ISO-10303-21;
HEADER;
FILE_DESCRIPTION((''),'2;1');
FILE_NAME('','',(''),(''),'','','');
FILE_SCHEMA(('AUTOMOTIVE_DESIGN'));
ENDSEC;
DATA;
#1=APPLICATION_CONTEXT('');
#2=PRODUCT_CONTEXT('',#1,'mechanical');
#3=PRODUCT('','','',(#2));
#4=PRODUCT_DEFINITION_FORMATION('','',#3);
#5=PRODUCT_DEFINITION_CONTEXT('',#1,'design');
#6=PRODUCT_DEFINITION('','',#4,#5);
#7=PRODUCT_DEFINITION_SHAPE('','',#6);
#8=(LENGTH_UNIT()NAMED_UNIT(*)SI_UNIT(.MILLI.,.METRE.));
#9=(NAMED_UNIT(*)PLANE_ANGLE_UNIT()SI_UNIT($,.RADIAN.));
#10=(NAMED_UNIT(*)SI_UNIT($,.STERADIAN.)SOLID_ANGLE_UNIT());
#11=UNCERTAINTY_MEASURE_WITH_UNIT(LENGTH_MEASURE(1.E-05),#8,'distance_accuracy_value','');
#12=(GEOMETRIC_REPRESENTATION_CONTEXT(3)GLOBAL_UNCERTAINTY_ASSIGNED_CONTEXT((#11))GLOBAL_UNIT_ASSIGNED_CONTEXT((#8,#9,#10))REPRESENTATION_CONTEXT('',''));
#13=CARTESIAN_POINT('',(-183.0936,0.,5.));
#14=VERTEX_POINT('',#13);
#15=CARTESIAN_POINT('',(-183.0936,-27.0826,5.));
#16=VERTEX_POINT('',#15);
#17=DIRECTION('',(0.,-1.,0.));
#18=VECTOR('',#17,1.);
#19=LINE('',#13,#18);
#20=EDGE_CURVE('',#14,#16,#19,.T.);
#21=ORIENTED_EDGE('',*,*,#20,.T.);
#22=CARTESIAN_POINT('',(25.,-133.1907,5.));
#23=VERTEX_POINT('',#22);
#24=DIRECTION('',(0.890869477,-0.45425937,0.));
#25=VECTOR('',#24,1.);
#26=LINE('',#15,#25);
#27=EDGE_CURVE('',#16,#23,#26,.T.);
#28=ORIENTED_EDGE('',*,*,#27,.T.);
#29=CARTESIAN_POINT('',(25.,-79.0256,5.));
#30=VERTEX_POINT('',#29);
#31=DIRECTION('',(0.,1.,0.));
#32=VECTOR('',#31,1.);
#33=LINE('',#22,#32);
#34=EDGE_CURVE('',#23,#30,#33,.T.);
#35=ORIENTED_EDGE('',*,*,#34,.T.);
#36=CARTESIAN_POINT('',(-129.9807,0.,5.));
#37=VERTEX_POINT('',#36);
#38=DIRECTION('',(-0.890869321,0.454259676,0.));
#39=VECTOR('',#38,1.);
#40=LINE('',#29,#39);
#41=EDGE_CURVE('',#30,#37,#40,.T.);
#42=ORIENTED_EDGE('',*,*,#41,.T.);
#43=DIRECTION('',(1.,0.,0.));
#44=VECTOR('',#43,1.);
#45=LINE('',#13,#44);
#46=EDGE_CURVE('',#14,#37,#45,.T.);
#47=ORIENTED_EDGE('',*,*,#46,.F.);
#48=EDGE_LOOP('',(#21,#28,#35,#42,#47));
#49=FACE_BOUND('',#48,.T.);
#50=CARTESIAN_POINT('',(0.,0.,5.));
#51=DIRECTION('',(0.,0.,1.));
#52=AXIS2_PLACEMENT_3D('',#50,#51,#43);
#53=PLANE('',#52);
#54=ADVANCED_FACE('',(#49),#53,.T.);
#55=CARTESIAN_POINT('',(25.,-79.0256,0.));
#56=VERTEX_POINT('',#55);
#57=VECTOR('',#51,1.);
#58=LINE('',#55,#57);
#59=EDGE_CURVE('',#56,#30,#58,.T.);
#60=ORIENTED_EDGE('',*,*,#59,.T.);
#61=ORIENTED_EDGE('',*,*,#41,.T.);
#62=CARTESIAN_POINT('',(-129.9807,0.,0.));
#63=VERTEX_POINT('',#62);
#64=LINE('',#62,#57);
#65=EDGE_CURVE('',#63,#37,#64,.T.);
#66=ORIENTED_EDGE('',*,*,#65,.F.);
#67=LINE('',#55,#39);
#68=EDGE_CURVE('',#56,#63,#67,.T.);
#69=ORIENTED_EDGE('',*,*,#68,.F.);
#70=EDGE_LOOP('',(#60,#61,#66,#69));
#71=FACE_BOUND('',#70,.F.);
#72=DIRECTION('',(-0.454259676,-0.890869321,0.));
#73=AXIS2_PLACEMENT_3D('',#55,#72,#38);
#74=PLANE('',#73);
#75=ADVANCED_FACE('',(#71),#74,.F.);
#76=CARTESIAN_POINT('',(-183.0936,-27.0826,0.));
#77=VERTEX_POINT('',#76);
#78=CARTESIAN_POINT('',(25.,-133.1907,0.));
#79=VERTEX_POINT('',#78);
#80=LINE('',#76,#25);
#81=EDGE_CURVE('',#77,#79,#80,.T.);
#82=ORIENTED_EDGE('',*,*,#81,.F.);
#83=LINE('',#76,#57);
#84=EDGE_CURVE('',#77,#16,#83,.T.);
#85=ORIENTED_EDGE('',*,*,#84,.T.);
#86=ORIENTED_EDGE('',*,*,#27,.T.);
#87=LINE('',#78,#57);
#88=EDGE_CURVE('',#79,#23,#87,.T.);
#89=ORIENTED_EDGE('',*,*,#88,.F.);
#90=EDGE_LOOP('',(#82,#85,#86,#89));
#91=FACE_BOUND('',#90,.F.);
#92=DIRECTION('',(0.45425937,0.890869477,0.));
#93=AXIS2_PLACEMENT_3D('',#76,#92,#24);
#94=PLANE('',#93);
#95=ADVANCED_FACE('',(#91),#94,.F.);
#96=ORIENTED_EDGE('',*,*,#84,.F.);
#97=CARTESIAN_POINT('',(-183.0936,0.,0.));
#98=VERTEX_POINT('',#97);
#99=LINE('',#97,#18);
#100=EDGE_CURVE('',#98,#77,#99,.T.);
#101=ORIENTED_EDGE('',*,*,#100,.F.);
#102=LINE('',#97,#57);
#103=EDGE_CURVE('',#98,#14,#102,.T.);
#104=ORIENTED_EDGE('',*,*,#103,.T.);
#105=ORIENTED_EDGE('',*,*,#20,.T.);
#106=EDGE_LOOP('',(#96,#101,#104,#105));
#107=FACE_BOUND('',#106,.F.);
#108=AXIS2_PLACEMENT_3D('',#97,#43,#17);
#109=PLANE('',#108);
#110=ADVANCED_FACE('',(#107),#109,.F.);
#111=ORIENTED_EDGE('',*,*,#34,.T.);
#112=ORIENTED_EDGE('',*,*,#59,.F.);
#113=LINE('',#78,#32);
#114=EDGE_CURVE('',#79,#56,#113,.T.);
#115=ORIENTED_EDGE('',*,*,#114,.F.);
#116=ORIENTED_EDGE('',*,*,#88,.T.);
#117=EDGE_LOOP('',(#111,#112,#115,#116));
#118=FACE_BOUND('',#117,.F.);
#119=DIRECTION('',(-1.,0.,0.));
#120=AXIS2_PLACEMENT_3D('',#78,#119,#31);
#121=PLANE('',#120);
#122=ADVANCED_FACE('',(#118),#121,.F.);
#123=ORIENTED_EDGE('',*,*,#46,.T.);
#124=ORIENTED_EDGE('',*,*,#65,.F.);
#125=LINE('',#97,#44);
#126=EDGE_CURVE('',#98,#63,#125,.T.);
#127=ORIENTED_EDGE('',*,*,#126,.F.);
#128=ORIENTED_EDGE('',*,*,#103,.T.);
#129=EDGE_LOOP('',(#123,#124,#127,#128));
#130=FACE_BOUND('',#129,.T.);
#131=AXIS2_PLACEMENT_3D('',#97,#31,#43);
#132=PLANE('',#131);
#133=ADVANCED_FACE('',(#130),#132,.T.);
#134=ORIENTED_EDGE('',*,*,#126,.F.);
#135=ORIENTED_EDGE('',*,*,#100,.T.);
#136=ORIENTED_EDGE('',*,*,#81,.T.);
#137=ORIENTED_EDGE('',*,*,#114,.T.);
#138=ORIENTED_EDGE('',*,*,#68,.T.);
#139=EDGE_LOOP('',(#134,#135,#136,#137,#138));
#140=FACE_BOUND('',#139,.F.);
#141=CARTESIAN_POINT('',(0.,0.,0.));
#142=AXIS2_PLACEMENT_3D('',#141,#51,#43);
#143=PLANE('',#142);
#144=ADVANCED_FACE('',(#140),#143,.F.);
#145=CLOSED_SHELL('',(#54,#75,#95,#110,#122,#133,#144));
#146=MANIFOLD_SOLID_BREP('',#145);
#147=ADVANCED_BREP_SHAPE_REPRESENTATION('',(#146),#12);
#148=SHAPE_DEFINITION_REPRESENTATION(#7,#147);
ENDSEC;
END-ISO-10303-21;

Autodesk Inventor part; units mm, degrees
ref_plane "YZ Plane" through (0, 0, 0) normal (1, 0, 0) x (0, 1, 0)
ref_plane "XZ Plane" through (0, 0, 0) normal (0, 1, 0) x (-1, 0, 0)
ref_plane "XY Plane" through (0, 0, 0) normal (0, 0, 1) x (1, 0, 0)
sketch "Sketch1" plane through (0, 0, 0) normal (0, 0, 1) x (1, 0, 0)
  line L0 (25, -133.1907) -> (25, -79.0256)
  line L1 (25, -79.0256) -> (-129.9807, 0)
  line L2 (-183.0936, 0) -> (-183.0936, -27.0826)
  line L3 (-183.0936, -27.0826) -> (25, -133.1907)
  line L4 (-183.0936, 110) -> (-183.0936, -110) construction
  line L5 (25, 151) -> (-25, 151) construction
  line L6 (-25, 151) -> (-25, -151) construction
  line L7 (-25, -151) -> (25, -151) construction
  line L8 (25, -151) -> (25, 151) construction
  line L9 (-183.0936, 0) -> (-129.9807, 0)
  point P0 (0, 0)
  point P1 (25, -106.1081)
extrude "Extrusion1" add sketch "Sketch1" along normal blind 5
properties part number "Angled foot"
